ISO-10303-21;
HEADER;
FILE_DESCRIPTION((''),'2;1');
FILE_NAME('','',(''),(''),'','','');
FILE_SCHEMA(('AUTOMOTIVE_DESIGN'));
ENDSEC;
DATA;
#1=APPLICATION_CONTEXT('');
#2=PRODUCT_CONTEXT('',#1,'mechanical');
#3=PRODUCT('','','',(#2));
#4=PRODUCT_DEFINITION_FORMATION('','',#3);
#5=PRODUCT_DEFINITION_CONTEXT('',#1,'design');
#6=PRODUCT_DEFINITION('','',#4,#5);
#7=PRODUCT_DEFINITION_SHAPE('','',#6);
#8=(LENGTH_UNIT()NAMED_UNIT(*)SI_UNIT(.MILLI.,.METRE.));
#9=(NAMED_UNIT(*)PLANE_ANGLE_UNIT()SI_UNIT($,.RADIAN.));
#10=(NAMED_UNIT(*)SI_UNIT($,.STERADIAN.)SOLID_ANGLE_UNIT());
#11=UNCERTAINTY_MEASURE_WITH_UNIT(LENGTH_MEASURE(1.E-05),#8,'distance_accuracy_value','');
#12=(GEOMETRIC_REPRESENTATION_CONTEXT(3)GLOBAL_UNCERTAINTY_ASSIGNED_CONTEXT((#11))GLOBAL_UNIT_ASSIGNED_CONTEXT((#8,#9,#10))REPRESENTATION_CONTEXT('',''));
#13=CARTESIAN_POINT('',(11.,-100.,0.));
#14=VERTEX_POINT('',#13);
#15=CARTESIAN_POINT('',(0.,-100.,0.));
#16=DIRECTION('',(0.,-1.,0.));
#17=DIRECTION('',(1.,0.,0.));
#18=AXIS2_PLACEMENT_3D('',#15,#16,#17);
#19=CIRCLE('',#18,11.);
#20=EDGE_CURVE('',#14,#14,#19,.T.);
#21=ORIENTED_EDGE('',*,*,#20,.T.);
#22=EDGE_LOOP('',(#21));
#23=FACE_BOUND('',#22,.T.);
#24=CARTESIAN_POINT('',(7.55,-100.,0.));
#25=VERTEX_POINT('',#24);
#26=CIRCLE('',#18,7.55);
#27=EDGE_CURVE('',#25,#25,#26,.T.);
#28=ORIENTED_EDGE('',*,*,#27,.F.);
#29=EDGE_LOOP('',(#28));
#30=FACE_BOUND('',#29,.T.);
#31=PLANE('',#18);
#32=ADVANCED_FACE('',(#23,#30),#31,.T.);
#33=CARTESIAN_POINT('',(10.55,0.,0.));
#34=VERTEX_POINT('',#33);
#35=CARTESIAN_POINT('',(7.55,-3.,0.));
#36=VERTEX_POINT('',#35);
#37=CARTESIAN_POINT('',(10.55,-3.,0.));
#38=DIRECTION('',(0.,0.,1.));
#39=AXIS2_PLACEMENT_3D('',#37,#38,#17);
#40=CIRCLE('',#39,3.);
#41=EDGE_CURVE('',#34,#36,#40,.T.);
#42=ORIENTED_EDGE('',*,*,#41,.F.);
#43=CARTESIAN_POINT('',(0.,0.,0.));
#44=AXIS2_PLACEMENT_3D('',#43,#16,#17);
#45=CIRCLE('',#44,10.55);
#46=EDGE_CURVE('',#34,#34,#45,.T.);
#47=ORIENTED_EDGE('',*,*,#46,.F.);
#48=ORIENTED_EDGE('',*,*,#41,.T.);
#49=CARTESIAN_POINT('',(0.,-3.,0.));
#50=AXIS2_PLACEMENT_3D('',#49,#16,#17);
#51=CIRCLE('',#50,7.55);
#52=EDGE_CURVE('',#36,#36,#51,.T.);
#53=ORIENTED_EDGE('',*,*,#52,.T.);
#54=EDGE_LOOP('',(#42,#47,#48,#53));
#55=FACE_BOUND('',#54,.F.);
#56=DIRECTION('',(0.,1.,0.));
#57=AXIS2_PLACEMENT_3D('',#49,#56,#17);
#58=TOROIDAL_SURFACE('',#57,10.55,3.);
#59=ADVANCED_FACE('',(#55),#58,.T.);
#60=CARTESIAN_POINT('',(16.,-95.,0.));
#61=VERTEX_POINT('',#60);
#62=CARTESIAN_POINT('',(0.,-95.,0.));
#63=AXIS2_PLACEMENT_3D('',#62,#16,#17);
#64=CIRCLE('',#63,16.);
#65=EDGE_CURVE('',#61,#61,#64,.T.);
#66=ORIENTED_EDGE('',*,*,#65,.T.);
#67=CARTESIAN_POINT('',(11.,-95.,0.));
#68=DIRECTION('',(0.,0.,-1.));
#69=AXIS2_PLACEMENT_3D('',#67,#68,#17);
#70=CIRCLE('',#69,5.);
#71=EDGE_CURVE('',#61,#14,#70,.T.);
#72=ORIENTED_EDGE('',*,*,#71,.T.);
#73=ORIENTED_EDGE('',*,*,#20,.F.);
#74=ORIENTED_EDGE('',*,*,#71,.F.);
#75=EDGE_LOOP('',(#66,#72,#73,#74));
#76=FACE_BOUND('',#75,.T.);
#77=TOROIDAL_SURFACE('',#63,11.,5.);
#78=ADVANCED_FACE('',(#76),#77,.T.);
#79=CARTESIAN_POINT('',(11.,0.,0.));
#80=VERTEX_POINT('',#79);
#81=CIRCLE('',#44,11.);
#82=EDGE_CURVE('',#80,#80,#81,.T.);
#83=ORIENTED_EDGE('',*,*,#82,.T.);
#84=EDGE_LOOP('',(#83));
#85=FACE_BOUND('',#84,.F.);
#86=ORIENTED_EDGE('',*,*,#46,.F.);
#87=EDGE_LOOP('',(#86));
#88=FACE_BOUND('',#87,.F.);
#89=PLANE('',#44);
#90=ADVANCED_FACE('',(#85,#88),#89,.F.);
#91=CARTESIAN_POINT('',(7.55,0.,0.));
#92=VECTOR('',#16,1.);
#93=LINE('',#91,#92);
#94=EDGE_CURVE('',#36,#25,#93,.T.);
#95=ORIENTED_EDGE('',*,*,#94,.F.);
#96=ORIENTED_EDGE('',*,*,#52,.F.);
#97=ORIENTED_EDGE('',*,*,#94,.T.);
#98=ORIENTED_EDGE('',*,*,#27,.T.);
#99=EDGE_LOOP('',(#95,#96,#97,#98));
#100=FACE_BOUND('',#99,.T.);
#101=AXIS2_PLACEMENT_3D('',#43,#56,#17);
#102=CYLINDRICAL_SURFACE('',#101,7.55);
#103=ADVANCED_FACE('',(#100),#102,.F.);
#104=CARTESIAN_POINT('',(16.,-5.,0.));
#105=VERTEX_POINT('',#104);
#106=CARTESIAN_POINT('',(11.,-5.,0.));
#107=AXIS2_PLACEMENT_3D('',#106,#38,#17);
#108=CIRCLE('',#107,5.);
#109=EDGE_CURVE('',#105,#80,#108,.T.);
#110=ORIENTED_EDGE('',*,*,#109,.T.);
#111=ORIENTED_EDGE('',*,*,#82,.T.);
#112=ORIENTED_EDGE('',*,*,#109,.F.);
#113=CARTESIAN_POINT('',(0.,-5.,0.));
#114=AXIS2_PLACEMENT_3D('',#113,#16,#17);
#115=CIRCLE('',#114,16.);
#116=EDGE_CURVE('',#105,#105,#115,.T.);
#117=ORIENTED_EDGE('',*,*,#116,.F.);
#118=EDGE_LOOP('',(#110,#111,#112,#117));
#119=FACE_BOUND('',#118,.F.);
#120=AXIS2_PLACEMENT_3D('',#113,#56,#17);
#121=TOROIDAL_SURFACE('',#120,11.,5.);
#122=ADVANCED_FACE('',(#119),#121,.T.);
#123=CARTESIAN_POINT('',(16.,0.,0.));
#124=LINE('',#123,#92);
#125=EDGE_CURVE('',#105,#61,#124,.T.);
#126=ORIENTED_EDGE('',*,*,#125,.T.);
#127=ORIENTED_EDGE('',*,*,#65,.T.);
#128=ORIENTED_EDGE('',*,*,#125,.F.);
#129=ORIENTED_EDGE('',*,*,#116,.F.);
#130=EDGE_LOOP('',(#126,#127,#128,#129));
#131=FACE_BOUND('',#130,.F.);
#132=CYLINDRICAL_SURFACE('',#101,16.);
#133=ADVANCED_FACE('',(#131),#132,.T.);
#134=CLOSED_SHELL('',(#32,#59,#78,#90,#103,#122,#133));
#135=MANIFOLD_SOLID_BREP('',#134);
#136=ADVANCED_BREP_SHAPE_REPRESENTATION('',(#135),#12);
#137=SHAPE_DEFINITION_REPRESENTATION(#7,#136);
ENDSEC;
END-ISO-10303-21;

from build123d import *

# Parameters (mm, degrees)
F0_R     = 16
F0_R_2   = 7.55
F1_DEPTH = 100
F2_R     = 5
F3_R     = 3


with BuildPart() as f1:
    # F0 (on Front) → F1 (new body)
    with BuildSketch(Plane.XZ):
        Circle(F0_R)
        Circle(F0_R_2, mode=Mode.SUBTRACT)
    extrude(amount=F1_DEPTH)

    # F2
    f2_edges = [f1.edges().sort_by_distance(p)[0] for p in [
        (-16, -100, 0),
        (-16, 0, 0),
    ]]
    fillet(f2_edges, radius=F2_R)

    # F3
    f3_edges = [f1.edges().sort_by_distance(p)[0] for p in [
        (-7.55, 0, 0),
    ]]
    fillet(f3_edges, radius=F3_R)


solid = f1.part
